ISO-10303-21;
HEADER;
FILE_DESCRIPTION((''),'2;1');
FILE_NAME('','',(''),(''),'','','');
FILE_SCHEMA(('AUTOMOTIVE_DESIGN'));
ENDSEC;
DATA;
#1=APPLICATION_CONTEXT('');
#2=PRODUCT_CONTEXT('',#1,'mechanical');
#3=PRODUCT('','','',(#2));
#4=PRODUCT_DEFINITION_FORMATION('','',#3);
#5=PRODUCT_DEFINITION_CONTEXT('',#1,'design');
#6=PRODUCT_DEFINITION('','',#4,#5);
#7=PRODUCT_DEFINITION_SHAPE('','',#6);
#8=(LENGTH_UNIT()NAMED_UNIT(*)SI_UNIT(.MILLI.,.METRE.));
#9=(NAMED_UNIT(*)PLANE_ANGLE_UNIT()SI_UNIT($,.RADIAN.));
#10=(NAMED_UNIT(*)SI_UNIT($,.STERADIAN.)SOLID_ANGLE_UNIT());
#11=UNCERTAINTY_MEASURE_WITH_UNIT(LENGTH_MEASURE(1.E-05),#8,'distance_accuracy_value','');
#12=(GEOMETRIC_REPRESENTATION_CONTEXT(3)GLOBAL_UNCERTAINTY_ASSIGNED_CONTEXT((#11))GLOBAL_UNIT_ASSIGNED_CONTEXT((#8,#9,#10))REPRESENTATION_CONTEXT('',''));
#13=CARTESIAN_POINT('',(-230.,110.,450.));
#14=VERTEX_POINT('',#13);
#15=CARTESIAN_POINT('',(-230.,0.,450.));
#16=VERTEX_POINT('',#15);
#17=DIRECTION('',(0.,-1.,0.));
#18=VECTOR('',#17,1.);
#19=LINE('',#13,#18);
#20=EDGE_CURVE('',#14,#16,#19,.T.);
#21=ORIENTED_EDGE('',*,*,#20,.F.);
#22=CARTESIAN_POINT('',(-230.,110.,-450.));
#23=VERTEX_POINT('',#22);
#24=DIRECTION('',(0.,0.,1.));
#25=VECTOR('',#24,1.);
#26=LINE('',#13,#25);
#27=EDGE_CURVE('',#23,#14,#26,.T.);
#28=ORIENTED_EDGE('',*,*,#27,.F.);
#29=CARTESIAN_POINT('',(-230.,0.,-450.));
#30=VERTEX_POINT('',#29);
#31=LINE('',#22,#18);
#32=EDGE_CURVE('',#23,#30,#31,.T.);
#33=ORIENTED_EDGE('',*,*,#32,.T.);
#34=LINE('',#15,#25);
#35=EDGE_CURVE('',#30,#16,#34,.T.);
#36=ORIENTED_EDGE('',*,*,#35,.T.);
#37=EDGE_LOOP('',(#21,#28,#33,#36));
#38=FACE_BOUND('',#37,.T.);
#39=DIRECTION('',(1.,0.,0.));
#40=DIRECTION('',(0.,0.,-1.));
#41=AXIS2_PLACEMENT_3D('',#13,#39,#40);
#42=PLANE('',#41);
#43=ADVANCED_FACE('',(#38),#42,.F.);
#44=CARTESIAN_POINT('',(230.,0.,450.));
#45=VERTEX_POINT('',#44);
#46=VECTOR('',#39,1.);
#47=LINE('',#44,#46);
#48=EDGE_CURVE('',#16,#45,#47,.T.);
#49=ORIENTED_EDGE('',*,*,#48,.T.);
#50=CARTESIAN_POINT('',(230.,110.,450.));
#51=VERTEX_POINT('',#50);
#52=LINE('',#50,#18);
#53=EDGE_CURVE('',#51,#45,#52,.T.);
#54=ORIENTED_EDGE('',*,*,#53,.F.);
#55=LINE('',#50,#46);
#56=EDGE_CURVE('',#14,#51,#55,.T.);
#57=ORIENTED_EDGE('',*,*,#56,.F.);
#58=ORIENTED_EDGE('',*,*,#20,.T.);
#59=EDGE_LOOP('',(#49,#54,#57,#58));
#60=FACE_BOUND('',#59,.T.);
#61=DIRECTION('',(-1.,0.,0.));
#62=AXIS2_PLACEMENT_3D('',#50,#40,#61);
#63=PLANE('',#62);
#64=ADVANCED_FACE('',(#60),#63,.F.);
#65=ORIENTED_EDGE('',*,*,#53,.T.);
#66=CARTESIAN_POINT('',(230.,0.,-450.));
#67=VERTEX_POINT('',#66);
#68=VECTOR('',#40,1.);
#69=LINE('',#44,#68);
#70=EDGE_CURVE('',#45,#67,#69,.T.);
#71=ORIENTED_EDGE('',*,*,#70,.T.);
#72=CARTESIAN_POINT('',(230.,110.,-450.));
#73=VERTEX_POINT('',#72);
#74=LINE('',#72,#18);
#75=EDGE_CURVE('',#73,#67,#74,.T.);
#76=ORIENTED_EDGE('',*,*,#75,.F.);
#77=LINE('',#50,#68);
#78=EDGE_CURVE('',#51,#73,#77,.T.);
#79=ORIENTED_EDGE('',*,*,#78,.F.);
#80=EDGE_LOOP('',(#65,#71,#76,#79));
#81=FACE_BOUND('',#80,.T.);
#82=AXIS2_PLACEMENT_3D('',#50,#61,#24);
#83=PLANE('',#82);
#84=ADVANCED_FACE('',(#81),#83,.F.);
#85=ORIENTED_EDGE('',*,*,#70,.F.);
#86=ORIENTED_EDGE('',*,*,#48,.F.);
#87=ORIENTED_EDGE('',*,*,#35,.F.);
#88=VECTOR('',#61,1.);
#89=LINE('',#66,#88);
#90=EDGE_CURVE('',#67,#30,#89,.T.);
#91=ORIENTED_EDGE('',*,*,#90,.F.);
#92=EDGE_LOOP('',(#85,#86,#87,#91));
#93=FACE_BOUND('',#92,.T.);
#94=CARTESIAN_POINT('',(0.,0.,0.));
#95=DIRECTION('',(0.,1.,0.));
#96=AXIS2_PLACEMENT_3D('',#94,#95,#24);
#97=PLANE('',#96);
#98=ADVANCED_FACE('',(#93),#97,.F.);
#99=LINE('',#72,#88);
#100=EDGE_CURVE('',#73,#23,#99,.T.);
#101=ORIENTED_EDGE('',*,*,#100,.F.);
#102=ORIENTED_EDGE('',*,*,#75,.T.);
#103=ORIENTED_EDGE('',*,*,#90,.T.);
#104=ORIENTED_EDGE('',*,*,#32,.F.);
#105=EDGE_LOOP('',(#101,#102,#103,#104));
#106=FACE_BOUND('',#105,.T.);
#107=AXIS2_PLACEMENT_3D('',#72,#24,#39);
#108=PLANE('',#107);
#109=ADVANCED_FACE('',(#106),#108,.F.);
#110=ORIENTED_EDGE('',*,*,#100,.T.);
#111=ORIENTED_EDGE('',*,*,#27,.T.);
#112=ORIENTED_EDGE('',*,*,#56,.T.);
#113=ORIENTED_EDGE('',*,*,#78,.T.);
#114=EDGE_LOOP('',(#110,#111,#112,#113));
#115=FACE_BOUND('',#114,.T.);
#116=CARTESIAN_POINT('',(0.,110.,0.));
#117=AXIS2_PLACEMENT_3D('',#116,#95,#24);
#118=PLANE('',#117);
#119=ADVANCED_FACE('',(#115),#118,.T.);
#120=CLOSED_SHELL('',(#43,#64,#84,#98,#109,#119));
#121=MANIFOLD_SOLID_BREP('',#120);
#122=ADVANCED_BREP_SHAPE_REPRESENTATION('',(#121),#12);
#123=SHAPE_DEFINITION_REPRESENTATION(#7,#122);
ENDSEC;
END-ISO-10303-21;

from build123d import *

# Parameters (mm, degrees)
SKETCH1_W           = 460
SKETCH1_H           = 900
BOSS_EXTRUDE1_DEPTH = 110


with BuildPart() as part:
    # Sketch1 → Boss-Extrude1 (new body)
    with BuildSketch(Plane(origin=(0, 0, 0), x_dir=(1, 0, 0), z_dir=(0, 1, 0))):
        Rectangle(SKETCH1_W, SKETCH1_H)
    extrude(amount=BOSS_EXTRUDE1_DEPTH)


solid = part.part
